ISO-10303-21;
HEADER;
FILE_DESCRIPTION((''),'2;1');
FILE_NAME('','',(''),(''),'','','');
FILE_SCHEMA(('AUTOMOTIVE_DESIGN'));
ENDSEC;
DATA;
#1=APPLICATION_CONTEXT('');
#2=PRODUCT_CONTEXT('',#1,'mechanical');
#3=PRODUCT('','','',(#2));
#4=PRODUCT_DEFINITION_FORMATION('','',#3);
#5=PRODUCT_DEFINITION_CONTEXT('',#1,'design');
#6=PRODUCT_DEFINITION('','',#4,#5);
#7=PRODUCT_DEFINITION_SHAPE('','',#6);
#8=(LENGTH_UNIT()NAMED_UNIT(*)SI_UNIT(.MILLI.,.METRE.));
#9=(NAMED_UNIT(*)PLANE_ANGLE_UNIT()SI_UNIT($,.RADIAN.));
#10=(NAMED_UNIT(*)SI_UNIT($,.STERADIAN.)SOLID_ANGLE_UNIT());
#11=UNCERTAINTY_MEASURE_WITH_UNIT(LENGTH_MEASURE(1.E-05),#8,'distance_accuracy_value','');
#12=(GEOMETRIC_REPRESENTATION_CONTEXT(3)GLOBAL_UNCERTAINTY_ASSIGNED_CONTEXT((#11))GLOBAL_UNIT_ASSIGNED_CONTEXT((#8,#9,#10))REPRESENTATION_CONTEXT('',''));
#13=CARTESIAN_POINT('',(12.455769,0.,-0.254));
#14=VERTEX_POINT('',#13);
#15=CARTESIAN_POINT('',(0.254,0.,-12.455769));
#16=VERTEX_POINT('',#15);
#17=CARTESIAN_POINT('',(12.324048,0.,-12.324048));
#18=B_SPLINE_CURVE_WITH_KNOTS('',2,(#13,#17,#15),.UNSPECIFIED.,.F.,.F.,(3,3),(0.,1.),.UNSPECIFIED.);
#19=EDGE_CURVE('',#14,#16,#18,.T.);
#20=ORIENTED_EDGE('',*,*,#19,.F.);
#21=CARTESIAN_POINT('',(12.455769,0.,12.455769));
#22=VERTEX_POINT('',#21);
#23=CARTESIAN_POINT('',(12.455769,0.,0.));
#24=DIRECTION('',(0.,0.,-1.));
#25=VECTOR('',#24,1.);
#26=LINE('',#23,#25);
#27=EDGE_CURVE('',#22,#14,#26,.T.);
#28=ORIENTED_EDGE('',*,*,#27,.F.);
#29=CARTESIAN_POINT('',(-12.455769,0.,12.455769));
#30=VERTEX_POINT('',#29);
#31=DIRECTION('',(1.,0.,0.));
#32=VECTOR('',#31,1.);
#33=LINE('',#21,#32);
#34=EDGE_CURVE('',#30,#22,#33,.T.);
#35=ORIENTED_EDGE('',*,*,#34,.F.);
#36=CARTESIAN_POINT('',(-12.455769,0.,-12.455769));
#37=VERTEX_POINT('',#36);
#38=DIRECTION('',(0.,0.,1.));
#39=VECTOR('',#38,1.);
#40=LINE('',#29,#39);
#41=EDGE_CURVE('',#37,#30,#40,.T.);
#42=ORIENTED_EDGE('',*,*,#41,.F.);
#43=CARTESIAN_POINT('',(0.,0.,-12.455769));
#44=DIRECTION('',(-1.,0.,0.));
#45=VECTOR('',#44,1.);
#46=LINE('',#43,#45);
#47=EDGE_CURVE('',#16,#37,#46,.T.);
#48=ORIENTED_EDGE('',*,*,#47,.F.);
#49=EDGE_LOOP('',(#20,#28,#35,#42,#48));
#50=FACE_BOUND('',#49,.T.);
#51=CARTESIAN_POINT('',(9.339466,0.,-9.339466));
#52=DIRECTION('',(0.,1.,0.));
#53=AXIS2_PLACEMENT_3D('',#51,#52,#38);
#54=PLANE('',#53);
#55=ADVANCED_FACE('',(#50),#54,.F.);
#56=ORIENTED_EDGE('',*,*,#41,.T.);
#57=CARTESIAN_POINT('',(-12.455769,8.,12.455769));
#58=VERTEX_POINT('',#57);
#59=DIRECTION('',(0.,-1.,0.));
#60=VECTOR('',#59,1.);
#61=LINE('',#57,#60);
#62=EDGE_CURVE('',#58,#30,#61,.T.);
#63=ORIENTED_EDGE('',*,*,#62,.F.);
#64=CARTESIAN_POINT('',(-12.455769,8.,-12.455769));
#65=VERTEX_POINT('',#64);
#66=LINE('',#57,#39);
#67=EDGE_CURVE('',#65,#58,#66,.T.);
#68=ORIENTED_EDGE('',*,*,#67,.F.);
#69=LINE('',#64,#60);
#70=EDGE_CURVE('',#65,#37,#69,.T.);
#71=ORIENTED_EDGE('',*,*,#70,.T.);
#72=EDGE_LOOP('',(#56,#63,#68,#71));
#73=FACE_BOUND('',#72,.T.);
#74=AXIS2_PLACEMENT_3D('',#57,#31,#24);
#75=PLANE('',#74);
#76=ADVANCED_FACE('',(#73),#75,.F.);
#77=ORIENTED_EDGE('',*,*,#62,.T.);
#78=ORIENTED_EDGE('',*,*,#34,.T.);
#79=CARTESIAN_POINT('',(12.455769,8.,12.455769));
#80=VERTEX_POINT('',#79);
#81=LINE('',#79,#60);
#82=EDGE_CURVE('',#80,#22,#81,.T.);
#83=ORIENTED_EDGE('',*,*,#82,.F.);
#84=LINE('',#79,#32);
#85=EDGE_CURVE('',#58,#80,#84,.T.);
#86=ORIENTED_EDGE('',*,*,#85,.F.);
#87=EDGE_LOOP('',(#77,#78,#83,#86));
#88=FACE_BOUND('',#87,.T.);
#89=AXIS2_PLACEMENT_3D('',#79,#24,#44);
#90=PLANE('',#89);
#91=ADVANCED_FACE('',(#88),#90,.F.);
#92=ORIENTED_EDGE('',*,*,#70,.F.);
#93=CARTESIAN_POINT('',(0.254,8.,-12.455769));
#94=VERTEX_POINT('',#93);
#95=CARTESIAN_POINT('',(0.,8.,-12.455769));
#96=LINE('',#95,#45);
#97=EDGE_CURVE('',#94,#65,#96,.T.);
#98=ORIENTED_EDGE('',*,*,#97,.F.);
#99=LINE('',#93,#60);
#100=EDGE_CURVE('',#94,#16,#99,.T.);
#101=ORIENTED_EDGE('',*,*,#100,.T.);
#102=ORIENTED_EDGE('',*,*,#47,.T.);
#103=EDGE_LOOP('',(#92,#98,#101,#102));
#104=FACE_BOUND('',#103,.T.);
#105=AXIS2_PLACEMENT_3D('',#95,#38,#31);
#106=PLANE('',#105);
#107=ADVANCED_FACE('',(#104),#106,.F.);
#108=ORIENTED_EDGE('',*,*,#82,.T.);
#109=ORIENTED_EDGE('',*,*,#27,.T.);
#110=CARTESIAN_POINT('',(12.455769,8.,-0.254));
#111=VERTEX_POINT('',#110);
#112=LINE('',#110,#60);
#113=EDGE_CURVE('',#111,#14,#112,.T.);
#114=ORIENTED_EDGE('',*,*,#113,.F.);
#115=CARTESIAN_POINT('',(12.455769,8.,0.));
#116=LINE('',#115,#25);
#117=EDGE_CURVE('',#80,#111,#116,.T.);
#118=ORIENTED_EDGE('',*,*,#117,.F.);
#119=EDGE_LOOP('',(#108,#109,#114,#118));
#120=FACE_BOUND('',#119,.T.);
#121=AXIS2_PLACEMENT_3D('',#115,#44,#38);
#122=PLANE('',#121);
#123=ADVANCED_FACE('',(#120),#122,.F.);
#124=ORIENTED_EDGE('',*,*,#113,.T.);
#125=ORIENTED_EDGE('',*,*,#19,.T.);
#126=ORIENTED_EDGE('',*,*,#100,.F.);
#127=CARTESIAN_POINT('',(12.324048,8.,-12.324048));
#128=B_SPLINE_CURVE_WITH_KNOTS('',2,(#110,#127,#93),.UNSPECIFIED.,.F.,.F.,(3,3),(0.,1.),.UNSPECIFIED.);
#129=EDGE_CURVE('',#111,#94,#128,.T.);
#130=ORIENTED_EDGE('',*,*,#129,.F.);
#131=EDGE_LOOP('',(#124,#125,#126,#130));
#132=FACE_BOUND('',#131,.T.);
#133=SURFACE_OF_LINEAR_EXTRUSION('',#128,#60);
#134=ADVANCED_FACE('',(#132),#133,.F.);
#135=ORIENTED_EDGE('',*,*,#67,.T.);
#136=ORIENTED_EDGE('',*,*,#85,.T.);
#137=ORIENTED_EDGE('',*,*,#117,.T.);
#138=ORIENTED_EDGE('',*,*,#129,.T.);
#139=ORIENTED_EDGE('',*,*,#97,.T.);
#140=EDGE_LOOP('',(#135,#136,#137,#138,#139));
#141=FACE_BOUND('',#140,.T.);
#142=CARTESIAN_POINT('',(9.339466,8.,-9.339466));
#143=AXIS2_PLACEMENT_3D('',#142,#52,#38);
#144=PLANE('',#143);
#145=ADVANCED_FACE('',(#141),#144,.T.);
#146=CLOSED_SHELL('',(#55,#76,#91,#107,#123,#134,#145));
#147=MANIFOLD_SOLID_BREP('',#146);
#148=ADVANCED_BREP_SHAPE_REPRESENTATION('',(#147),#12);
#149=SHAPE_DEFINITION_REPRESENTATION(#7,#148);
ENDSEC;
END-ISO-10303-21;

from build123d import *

# Parameters (mm, degrees)
BOSS_EXTRUDE1_DEPTH = 8


with BuildPart() as part:
    # Sketch1 → Boss-Extrude1 (new body)
    with BuildSketch(Plane(origin=(0, 0, 0), x_dir=(1, 0, 0), z_dir=(0, 1, 0))):
        with BuildLine():
            Line((0, 12.455769231), (-12.455769231, 12.455769231))
            Line((-12.455769231, 12.455769231), (-12.455769231, -12.455769231))
            Line((-12.455769231, -12.455769231), (12.455769231, -12.455769231))
            Line((12.455769231, -12.455769231), (12.455769231, 0))
            Line((12.455769231, 0), (12.455769231, 0.254))
            add(Edge.make_bspline(
                [(0.254, 12.455769231), (12.324048116, 12.324048116), (12.455769231, 0.254)],
                knots=[0, 0, 0, 1, 1, 1], degree=2))
            Line((0.254, 12.455769231), (0, 12.455769231))
        make_face()
    extrude(amount=BOSS_EXTRUDE1_DEPTH)


solid = part.part
